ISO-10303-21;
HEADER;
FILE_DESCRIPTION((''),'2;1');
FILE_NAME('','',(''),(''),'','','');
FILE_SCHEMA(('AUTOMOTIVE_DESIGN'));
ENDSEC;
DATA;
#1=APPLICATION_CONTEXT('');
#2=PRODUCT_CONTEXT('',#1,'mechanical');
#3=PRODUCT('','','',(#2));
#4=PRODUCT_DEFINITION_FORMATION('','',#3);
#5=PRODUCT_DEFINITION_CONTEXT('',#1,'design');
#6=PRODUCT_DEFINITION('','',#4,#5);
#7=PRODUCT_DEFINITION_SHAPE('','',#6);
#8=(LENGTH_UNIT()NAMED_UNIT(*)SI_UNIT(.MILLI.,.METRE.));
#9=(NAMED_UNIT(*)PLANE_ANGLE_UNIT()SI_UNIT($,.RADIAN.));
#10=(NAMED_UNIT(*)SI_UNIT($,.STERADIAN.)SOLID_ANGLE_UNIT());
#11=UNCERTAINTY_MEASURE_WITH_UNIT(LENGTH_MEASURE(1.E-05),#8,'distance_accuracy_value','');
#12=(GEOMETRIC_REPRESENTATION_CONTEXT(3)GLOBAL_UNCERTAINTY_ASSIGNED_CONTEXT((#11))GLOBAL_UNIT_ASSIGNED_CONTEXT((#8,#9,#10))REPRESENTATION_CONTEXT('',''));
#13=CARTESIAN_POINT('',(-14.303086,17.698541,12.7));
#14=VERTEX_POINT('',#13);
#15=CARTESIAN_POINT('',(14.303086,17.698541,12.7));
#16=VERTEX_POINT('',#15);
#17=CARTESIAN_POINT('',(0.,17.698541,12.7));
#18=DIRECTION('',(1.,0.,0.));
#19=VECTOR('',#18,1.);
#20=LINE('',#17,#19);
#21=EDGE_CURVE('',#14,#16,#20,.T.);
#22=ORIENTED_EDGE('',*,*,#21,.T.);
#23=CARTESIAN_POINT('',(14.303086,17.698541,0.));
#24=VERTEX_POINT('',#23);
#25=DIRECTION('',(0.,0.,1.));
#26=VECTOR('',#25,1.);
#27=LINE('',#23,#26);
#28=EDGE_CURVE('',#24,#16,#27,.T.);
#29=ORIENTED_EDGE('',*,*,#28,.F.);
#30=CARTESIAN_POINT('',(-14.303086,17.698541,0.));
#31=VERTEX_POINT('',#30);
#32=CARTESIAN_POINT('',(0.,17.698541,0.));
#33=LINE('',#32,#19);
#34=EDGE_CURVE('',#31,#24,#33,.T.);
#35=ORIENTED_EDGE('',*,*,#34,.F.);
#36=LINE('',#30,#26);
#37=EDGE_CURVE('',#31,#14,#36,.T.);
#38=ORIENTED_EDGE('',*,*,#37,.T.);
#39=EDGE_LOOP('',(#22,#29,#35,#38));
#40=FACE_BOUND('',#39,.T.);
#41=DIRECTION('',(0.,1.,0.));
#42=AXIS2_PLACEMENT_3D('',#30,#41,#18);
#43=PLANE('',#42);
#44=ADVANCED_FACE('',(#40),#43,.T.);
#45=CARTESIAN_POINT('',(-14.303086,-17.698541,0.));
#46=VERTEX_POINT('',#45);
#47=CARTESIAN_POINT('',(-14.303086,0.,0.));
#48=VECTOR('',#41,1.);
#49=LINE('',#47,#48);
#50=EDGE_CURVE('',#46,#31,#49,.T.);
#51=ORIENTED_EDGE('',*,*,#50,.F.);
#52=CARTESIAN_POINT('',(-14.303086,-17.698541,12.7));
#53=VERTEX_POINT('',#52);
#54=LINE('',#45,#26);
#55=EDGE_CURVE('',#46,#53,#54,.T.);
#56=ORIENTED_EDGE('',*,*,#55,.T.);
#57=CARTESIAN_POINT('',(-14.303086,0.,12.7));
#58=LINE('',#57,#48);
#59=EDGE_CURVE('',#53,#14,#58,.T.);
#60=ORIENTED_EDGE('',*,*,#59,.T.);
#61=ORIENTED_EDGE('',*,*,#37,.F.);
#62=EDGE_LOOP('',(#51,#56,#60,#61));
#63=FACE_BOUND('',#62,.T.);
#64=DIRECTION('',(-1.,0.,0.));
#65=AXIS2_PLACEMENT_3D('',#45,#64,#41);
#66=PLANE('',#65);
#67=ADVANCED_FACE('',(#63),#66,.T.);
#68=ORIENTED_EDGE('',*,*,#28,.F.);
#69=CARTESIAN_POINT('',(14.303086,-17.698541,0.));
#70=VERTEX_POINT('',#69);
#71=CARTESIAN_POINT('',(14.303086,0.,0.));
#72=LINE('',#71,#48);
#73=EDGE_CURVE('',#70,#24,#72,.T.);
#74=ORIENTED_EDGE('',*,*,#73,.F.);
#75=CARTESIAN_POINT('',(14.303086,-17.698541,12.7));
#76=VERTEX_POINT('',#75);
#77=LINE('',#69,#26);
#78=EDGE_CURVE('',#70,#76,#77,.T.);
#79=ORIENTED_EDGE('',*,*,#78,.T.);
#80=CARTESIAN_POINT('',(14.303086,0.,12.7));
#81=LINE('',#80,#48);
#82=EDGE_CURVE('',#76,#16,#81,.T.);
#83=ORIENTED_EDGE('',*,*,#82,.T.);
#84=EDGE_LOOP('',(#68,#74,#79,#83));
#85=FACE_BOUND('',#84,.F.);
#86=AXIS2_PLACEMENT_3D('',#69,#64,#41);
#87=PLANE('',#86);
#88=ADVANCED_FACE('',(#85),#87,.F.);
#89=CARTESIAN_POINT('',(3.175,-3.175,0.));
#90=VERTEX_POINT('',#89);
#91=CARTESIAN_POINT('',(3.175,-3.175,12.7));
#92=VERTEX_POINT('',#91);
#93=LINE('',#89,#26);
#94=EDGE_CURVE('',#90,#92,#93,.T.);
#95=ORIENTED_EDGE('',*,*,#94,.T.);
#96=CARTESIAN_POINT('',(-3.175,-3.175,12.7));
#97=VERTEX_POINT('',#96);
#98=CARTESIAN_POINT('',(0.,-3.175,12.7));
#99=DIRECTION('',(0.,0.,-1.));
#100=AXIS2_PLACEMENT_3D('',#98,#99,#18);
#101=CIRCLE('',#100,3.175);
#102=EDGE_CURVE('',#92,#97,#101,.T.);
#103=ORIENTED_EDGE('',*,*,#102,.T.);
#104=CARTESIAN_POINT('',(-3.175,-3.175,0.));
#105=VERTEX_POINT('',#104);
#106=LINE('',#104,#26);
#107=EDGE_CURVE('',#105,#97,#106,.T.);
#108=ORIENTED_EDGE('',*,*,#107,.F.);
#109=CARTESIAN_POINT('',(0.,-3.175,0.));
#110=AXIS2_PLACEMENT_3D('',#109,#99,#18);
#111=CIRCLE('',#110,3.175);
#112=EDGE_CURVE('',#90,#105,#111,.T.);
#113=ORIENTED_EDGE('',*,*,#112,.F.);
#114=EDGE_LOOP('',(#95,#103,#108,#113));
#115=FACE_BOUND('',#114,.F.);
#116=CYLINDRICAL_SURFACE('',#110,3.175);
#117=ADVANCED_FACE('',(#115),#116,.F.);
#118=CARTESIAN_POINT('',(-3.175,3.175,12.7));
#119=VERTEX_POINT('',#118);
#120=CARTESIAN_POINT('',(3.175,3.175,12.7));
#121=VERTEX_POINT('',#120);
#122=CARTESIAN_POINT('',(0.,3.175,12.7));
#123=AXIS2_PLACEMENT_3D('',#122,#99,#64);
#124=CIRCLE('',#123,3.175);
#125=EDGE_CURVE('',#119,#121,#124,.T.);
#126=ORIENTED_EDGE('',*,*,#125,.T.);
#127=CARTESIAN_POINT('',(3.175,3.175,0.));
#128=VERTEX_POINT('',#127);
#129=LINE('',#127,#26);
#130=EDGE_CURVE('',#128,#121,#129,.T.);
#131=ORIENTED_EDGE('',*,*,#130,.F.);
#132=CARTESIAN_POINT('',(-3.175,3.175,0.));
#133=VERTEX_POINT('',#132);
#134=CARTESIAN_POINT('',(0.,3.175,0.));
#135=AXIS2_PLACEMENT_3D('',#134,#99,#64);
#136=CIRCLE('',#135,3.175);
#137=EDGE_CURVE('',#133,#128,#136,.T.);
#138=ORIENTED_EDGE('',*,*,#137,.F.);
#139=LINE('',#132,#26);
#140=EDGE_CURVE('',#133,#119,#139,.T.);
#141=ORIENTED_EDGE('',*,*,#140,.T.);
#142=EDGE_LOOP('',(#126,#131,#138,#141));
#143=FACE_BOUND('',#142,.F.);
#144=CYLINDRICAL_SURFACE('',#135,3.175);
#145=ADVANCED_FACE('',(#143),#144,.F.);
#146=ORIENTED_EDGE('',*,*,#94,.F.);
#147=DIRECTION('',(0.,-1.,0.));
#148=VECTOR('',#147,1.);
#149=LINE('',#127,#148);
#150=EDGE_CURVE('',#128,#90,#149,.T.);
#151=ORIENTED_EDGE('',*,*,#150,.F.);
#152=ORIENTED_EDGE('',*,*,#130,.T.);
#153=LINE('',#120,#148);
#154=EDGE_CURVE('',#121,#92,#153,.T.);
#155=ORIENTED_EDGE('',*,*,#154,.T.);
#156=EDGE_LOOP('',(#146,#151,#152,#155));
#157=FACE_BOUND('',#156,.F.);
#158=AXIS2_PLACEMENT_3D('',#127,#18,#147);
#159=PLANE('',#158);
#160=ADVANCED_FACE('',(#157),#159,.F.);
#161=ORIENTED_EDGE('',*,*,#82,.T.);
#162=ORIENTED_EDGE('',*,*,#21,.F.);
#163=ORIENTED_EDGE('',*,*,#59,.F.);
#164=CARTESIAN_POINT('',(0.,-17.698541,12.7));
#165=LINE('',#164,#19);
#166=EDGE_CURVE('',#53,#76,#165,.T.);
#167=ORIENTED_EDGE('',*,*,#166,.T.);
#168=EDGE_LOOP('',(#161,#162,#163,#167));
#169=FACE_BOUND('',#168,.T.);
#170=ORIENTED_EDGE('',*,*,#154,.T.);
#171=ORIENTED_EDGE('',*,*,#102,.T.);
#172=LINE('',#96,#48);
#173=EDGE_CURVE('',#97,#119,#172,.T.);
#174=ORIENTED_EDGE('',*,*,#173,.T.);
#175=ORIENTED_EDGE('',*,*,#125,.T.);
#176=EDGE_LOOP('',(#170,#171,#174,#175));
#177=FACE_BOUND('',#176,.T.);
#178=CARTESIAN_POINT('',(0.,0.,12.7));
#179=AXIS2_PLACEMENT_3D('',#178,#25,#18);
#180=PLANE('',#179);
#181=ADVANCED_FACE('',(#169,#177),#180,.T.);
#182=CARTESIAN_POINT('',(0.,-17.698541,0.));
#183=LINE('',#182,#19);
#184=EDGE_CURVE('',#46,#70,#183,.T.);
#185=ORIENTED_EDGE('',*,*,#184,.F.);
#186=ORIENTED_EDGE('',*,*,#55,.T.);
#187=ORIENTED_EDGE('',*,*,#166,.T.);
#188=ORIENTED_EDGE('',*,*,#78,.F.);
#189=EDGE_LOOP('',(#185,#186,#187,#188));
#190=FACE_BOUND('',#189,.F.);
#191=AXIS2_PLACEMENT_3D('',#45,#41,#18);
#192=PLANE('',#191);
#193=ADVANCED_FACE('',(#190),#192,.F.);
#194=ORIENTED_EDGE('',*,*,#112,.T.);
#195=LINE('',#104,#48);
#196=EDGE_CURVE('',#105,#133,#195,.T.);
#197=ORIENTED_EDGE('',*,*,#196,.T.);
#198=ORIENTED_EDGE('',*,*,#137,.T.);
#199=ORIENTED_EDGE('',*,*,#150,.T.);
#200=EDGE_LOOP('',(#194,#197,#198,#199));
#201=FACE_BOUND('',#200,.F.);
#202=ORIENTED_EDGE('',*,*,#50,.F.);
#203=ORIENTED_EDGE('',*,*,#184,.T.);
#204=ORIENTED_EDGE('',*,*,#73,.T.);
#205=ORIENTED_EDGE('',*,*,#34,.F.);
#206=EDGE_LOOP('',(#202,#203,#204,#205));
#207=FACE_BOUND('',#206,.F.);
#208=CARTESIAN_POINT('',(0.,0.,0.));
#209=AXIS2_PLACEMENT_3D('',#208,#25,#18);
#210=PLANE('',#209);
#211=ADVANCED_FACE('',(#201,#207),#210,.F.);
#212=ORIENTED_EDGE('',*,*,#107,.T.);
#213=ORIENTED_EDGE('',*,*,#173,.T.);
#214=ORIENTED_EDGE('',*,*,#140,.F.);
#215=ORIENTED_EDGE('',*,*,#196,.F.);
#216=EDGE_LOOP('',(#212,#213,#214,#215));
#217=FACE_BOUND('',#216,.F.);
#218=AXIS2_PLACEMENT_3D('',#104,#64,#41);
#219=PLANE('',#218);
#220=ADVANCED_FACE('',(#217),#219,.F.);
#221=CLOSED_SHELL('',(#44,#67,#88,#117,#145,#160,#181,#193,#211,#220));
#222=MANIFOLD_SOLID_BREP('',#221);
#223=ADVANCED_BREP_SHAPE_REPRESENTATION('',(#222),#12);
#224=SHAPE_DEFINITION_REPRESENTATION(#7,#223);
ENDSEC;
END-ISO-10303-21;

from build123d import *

# Parameters (mm, degrees)
F0_W     = 28.606172
F0_H     = 35.397082
F1_DEPTH = 12.7


with BuildPart() as f1:
    # F0 (on Top) → F1 (new body)
    with BuildSketch(Plane.XY):
        Rectangle(F0_W, F0_H)
        with BuildLine():
            Line((3.175, 3.175), (3.175, -3.175))
            ThreePointArc((3.175, -3.175), (0, -6.35), (-3.175, -3.175))
            Line((-3.175, -3.175), (-3.175, 3.175))
            ThreePointArc((-3.175, 3.175), (0, 6.35), (3.175, 3.175))
        make_face(mode=Mode.SUBTRACT)
    extrude(amount=F1_DEPTH)


solid = f1.part
